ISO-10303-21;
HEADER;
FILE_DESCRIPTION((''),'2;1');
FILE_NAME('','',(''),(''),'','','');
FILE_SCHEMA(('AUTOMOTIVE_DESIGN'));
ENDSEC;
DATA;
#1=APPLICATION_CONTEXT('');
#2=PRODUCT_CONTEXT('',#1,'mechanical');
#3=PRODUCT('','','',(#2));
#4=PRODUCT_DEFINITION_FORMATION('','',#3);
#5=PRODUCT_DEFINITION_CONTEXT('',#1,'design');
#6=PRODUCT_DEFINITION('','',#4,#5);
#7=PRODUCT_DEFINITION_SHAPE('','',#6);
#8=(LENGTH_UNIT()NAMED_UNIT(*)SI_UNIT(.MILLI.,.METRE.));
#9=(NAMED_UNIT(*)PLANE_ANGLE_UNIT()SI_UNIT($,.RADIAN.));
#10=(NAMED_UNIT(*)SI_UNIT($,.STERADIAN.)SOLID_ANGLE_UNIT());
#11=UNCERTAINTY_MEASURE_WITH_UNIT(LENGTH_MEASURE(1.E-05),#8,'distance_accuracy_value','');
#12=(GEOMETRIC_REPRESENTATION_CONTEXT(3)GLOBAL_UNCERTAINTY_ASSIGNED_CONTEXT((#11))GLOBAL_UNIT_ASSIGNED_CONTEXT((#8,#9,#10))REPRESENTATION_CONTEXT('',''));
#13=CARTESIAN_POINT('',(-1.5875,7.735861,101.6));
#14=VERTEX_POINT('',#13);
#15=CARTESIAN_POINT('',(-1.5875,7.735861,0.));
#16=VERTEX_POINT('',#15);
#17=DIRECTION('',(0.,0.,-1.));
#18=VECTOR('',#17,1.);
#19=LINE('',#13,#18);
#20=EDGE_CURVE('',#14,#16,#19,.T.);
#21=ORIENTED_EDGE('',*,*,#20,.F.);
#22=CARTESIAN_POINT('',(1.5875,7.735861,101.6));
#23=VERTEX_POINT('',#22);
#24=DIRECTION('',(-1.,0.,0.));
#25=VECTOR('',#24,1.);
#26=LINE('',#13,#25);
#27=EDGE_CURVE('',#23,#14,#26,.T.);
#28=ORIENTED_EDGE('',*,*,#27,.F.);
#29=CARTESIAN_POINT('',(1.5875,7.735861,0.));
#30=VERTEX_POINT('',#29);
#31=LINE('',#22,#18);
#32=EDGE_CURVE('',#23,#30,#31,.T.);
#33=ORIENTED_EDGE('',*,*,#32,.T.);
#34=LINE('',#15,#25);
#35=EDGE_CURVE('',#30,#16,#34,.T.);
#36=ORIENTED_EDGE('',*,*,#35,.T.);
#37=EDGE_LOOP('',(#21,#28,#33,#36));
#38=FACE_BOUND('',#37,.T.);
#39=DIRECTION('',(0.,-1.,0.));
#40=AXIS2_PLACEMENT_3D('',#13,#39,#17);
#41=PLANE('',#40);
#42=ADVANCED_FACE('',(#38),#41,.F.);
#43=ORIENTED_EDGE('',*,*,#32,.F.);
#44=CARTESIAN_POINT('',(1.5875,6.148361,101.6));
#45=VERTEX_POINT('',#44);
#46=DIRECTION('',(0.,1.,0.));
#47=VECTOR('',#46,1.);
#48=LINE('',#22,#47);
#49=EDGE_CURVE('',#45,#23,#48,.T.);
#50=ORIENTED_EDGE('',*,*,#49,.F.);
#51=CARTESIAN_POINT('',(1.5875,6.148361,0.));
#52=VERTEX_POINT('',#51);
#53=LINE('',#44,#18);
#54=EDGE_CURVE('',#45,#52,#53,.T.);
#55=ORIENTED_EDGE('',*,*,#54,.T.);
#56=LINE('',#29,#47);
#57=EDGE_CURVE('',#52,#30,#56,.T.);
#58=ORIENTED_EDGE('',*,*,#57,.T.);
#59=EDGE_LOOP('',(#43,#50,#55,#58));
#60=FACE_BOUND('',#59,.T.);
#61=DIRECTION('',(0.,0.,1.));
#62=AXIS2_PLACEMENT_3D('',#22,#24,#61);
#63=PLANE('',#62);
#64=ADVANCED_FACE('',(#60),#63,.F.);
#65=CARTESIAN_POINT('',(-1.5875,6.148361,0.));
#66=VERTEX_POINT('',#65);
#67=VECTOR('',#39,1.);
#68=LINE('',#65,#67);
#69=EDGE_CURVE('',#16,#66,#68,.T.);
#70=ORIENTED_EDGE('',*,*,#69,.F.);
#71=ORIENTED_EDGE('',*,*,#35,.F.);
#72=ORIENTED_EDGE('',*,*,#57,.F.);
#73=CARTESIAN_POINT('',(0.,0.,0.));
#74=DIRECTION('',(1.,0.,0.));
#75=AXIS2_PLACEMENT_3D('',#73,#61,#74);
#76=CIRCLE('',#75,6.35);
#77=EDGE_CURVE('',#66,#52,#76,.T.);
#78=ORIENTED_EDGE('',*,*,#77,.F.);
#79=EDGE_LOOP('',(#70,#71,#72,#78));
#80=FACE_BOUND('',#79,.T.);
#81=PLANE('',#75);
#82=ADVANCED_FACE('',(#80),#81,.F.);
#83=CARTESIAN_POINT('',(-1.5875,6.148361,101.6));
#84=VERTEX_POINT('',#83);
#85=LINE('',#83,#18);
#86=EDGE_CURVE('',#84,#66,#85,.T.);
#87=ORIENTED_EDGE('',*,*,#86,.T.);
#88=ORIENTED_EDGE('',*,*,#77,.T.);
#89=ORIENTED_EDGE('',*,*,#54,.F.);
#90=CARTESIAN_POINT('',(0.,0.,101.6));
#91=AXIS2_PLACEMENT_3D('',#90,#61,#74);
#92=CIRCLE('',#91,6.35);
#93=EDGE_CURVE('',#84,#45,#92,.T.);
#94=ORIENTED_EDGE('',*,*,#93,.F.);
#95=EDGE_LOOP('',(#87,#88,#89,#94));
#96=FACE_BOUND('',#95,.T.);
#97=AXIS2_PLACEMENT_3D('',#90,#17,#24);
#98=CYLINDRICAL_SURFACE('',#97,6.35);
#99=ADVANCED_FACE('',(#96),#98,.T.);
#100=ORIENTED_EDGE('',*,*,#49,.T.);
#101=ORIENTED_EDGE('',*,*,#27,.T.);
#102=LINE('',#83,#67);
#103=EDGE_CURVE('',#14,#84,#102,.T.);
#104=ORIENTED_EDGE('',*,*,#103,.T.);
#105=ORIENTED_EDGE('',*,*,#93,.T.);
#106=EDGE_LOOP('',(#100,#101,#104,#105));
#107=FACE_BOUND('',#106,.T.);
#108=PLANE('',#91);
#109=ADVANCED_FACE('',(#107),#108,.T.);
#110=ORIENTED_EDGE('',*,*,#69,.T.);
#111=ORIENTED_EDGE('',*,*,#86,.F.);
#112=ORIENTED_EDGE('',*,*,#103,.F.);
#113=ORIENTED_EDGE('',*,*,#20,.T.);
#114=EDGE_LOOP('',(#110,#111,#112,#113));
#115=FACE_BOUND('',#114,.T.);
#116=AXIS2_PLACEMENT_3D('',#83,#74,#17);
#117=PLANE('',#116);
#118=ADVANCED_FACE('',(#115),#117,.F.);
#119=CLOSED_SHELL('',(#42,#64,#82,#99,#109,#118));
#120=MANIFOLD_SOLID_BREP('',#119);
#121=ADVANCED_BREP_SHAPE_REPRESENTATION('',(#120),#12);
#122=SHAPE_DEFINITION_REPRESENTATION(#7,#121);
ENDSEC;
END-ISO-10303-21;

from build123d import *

# Parameters (mm, degrees)
BOSS_EXTRUDE1_DEPTH = 101.6


with BuildPart() as part:
    # Sketch1 → Boss-Extrude1 (new body)
    with BuildSketch(Plane.XY):
        with BuildLine():
            Line((-1.5875, 6.148361062), (-1.5875, 7.735861062))
            Line((-1.5875, 7.735861062), (1.5875, 7.735861062))
            Line((1.5875, 7.735861062), (1.5875, 6.148361062))
            ThreePointArc((1.5875, 6.148361062), (0, -6.35), (-1.5875, 6.148361062))
        make_face()
    extrude(amount=BOSS_EXTRUDE1_DEPTH)


solid = part.part
